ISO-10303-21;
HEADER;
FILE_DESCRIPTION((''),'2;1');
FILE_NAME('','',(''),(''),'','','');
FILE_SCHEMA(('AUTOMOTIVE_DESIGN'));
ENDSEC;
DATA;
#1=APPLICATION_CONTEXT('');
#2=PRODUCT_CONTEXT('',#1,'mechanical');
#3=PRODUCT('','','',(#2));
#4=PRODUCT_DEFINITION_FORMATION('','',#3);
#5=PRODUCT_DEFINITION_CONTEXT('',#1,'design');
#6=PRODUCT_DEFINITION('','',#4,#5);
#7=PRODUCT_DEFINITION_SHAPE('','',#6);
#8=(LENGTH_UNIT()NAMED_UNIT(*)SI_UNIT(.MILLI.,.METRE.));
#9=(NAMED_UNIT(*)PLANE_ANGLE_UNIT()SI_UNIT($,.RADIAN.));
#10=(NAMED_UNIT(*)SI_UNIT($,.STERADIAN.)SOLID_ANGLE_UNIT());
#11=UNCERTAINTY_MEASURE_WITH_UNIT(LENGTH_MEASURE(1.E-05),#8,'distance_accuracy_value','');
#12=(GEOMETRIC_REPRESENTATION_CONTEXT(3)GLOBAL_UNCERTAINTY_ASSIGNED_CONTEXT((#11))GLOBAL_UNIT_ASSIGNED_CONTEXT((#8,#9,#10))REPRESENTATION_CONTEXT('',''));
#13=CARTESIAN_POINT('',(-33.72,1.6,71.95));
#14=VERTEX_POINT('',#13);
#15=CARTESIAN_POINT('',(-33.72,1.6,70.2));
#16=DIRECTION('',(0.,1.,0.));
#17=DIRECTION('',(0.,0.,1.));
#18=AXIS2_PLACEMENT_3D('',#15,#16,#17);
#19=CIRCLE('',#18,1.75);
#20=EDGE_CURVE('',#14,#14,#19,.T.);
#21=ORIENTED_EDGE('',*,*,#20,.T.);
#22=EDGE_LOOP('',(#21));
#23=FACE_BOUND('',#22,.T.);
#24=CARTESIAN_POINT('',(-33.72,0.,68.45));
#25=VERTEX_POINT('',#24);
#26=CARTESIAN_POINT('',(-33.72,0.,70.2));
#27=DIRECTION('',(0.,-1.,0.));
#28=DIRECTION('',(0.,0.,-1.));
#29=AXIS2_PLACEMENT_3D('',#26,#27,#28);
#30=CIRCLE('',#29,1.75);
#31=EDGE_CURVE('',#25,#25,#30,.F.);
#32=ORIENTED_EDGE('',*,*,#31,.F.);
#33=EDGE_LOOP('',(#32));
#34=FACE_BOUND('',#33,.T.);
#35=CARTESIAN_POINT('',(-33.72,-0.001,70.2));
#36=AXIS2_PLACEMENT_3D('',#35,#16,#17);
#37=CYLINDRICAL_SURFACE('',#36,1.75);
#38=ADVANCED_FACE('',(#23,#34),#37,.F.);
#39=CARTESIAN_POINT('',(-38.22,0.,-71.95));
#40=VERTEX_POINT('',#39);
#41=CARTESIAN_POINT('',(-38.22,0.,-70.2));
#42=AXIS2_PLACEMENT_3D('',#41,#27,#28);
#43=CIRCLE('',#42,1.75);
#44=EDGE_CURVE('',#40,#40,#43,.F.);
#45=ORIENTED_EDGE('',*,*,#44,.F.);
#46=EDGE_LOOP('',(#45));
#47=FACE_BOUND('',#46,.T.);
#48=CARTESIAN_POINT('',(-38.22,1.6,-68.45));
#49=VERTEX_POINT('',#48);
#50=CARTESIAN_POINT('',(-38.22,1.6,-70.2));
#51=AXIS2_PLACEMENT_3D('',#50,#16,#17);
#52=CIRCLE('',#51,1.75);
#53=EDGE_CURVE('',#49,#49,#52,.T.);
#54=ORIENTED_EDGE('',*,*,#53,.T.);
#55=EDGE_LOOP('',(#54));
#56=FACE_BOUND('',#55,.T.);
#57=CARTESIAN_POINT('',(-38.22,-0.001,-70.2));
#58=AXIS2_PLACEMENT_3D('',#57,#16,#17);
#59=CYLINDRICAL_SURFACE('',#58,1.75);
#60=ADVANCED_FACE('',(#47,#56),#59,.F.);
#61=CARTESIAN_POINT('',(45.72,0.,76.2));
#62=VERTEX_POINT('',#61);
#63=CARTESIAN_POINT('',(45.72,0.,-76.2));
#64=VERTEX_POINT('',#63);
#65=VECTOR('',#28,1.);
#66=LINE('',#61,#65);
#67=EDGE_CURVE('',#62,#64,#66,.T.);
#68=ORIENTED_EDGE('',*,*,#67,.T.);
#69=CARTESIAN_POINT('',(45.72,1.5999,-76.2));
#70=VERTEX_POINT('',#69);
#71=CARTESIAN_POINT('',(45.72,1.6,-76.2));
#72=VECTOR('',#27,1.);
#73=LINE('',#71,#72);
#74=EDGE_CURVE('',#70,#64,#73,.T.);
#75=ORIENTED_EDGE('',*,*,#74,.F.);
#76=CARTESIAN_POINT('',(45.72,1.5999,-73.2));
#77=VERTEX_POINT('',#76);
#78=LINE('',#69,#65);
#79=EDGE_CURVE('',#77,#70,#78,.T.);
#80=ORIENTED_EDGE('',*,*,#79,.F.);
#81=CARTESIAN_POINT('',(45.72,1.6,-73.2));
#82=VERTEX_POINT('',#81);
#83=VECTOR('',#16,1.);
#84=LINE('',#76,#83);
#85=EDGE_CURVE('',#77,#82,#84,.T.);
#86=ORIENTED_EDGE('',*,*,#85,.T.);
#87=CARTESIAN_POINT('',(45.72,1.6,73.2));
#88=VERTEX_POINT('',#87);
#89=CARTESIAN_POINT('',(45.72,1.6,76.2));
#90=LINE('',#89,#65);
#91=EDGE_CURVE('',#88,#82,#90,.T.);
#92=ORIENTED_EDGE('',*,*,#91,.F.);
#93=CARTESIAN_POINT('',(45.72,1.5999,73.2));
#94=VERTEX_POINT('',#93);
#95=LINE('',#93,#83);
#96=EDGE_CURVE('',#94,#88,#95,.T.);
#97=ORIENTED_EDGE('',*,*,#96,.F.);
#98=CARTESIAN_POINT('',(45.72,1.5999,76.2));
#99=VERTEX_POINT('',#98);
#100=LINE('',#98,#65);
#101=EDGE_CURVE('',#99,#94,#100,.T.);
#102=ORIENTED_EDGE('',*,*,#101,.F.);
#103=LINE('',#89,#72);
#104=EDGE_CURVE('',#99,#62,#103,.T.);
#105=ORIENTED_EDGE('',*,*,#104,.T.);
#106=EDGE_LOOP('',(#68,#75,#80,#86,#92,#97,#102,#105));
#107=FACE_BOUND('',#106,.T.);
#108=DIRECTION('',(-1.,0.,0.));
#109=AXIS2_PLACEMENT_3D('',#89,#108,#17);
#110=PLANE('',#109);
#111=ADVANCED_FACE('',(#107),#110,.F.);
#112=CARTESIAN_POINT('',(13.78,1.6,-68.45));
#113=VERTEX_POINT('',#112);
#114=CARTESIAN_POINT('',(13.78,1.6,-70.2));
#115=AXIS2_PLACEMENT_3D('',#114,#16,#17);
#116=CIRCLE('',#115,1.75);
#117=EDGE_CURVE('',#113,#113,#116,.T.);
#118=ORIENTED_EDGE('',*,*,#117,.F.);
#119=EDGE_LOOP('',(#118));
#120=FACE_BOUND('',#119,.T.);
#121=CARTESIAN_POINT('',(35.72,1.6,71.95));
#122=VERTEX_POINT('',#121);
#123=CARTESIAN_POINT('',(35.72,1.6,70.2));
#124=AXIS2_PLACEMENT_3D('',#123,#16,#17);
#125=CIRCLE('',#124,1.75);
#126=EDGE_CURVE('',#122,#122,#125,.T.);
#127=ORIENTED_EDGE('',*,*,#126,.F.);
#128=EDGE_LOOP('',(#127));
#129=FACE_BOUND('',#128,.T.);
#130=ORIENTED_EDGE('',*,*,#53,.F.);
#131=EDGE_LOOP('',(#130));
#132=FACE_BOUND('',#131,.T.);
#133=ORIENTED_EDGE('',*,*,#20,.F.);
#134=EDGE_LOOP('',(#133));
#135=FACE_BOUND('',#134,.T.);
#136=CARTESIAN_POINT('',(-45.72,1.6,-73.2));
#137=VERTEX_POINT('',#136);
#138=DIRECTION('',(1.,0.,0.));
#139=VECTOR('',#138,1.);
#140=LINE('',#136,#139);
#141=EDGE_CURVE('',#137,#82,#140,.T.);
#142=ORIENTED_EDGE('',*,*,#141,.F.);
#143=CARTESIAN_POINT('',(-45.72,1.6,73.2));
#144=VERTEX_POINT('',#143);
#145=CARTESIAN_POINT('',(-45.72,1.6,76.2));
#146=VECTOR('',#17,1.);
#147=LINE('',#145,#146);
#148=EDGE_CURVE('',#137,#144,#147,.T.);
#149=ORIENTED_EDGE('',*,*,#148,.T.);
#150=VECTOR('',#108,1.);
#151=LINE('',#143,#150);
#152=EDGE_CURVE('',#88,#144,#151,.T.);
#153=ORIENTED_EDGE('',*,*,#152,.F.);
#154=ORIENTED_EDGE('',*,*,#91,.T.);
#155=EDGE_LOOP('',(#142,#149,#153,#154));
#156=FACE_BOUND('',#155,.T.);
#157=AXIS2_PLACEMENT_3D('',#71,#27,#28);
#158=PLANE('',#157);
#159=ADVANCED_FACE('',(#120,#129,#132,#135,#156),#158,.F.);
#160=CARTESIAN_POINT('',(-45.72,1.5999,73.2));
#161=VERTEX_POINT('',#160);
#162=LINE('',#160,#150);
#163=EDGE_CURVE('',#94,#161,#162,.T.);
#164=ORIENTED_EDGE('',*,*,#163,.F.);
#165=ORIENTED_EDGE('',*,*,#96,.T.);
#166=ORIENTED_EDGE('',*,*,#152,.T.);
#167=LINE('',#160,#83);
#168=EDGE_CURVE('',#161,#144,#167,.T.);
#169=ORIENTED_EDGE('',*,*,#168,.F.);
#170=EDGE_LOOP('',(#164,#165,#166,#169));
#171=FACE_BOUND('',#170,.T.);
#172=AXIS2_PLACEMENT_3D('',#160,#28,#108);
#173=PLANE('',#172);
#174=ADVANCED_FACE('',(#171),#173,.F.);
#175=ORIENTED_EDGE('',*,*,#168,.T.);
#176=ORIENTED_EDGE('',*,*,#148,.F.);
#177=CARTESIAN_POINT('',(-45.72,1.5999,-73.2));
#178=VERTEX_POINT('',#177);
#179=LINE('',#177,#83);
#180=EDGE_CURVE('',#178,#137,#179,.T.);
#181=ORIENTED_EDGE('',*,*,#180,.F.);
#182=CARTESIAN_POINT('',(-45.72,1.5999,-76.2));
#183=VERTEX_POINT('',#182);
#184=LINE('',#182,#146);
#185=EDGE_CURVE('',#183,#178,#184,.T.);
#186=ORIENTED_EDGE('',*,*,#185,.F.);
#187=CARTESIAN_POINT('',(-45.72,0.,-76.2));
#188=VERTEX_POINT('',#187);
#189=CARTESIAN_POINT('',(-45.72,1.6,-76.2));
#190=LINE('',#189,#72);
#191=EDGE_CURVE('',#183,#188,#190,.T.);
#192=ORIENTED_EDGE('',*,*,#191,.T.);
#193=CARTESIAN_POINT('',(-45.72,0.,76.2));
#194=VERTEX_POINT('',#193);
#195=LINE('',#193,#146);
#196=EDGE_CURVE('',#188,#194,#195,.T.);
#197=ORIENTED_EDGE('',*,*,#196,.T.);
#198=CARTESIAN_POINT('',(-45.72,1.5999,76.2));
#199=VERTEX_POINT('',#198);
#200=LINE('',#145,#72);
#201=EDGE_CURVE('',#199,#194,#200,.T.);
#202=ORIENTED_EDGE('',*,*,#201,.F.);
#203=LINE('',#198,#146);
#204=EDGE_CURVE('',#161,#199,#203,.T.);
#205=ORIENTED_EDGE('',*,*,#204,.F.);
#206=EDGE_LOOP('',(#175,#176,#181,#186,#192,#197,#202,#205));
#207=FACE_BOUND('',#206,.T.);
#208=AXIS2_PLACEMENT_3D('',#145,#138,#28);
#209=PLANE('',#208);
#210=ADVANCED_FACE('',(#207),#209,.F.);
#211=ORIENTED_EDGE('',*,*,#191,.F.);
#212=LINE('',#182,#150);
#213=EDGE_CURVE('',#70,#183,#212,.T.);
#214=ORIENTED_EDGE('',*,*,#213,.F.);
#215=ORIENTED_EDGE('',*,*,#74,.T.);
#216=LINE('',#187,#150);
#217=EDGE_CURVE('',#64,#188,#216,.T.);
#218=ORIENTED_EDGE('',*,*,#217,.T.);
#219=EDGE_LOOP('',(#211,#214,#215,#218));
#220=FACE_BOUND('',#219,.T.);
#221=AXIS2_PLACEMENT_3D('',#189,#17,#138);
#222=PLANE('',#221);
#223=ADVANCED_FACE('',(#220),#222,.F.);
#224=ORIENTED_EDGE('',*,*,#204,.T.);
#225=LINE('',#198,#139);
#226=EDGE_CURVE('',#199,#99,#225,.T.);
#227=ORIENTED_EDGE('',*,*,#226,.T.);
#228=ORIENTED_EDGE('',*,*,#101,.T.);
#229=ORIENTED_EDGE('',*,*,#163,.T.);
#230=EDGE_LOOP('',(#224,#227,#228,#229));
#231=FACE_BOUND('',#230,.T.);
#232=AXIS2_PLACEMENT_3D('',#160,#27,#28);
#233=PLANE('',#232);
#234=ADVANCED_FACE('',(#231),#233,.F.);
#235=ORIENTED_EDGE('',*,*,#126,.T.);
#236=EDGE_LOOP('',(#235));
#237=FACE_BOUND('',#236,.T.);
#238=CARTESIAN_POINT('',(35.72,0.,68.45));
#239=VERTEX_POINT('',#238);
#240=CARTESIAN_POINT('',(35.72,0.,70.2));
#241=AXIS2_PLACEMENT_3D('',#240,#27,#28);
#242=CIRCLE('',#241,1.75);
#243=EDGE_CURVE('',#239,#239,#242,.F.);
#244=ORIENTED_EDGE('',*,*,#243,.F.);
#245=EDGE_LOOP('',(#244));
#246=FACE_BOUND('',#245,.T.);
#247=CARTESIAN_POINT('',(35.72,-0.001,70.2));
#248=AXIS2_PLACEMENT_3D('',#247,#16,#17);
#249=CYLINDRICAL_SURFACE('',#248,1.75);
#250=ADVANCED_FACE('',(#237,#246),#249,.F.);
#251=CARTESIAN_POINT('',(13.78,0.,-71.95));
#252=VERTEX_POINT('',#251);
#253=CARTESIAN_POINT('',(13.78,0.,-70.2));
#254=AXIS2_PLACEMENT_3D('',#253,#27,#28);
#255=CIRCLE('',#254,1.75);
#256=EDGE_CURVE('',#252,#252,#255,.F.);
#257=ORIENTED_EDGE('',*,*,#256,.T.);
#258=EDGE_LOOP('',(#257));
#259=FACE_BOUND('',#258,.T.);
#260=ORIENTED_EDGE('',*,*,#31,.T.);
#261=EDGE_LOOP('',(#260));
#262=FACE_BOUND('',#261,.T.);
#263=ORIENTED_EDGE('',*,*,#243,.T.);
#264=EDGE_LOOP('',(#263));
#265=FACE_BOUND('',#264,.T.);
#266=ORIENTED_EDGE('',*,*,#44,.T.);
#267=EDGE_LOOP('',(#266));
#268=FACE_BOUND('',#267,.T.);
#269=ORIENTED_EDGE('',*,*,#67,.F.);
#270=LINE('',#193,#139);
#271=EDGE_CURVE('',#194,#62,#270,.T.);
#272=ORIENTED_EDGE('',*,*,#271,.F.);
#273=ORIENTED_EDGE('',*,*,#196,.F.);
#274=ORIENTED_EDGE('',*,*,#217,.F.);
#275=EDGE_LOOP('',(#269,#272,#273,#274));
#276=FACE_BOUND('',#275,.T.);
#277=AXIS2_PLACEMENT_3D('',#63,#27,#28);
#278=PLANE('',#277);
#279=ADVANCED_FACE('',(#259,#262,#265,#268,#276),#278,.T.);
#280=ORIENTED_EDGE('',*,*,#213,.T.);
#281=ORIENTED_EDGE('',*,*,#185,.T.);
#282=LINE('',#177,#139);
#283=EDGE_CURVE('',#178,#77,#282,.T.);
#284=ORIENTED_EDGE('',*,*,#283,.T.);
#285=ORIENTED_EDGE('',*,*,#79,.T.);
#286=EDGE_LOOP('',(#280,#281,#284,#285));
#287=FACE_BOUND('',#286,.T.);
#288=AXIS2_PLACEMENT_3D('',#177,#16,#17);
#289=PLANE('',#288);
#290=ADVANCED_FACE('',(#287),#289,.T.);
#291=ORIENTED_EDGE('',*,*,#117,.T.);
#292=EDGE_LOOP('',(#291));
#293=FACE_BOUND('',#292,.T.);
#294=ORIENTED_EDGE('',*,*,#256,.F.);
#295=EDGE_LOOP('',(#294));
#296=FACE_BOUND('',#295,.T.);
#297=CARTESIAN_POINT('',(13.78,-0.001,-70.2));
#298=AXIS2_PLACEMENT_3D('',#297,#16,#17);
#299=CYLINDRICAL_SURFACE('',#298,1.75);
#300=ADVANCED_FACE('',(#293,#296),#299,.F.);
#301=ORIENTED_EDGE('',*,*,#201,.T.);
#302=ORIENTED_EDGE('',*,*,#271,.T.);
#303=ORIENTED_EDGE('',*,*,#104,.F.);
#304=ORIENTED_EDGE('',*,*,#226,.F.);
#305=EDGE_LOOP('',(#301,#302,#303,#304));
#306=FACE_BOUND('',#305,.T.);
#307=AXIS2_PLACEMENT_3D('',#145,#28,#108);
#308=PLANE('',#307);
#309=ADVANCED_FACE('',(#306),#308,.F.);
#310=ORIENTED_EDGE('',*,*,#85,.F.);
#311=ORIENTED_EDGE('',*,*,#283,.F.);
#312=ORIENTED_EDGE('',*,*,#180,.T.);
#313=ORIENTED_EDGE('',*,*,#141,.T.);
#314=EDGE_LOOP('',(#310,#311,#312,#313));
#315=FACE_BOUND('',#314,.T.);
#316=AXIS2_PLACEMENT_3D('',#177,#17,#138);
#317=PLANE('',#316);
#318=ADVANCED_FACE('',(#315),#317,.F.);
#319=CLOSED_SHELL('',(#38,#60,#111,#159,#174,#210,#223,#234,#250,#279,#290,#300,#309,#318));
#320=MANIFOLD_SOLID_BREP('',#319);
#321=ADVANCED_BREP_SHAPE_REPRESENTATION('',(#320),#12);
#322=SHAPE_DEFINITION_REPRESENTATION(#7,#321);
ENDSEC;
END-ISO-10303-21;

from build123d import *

# Parameters (mm, degrees)
SKETCH1_W           = 91.44
SKETCH1_H           = 152.4
BOSS_EXTRUDE1_DEPTH = 1.6
CUT_EXTRUDE1_REACH  = 90.878
SKETCH2_R           = 1.75
SKETCH3_W           = 91.44
SKETCH3_H           = 3
CUT_EXTRUDE2_DEPTH  = 0.0001


with BuildPart() as part:
    # Sketch1 → Boss-Extrude1 (new body)
    with BuildSketch(Plane(origin=(0, 0, 0), x_dir=(1, 0, 0), z_dir=(0, 1, 0))):
        Rectangle(SKETCH1_W, SKETCH1_H)
    extrude(amount=BOSS_EXTRUDE1_DEPTH)

    # Sketch2 → Cut-Extrude1 (cut, up to next)
    with BuildSketch(Plane(origin=(0, 1.6, 0), x_dir=(1, 0, 0), z_dir=(0, 1, 0)), mode=Mode.PRIVATE) as cut_extrude1_sk1:
        with Locations(Location((-38.22, 70.2, 0), (0, 0, 270))):
            Circle(SKETCH2_R)
    cut_extrude1_tool1 = extrude(cut_extrude1_sk1.sketch, amount=-CUT_EXTRUDE1_REACH, mode=Mode.PRIVATE) & part.part
    # Sketch2 → Cut-Extrude1 (cut, up to next)
    with BuildSketch(Plane(origin=(0, 1.6, 0), x_dir=(1, 0, 0), z_dir=(0, 1, 0)), mode=Mode.PRIVATE) as cut_extrude1_sk2:
        with Locations(Location((-33.72, -70.2, 0), (0, 0, 270))):
            Circle(SKETCH2_R)
    cut_extrude1_tool2 = extrude(cut_extrude1_sk2.sketch, amount=-CUT_EXTRUDE1_REACH, mode=Mode.PRIVATE) & part.part
    # Sketch2 → Cut-Extrude1 (cut, up to next)
    with BuildSketch(Plane(origin=(0, 1.6, 0), x_dir=(1, 0, 0), z_dir=(0, 1, 0)), mode=Mode.PRIVATE) as cut_extrude1_sk3:
        with Locations(Location((35.72, -70.2, 0), (0, 0, 270))):
            Circle(SKETCH2_R)
    cut_extrude1_tool3 = extrude(cut_extrude1_sk3.sketch, amount=-CUT_EXTRUDE1_REACH, mode=Mode.PRIVATE) & part.part
    # Sketch2 → Cut-Extrude1 (cut, up to next)
    with BuildSketch(Plane(origin=(0, 1.6, 0), x_dir=(1, 0, 0), z_dir=(0, 1, 0)), mode=Mode.PRIVATE) as cut_extrude1_sk4:
        with Locations(Location((13.78, 70.2, 0), (0, 0, 270))):
            Circle(SKETCH2_R)
    cut_extrude1_tool4 = extrude(cut_extrude1_sk4.sketch, amount=-CUT_EXTRUDE1_REACH, mode=Mode.PRIVATE) & part.part
    add(cut_extrude1_tool1.solids().sort_by_distance((-38.22, 1.6, -70.2))[0], mode=Mode.SUBTRACT)
    add(cut_extrude1_tool2.solids().sort_by_distance((-33.72, 1.6, 70.2))[0], mode=Mode.SUBTRACT)
    add(cut_extrude1_tool3.solids().sort_by_distance((35.72, 1.6, 70.2))[0], mode=Mode.SUBTRACT)
    add(cut_extrude1_tool4.solids().sort_by_distance((13.78, 1.6, -70.2))[0], mode=Mode.SUBTRACT)

    # Sketch3 → Cut-Extrude2 (cut)
    with BuildSketch(Plane(origin=(0, 1.6, 0), x_dir=(1, 0, 0), z_dir=(0, 1, 0))):
        with Locations((0, 74.7)):
            Rectangle(SKETCH3_W, SKETCH3_H)
        with Locations((0, -74.7)):
            Rectangle(SKETCH3_W, SKETCH3_H)
    extrude(amount=-CUT_EXTRUDE2_DEPTH, mode=Mode.SUBTRACT)


solid = part.part
